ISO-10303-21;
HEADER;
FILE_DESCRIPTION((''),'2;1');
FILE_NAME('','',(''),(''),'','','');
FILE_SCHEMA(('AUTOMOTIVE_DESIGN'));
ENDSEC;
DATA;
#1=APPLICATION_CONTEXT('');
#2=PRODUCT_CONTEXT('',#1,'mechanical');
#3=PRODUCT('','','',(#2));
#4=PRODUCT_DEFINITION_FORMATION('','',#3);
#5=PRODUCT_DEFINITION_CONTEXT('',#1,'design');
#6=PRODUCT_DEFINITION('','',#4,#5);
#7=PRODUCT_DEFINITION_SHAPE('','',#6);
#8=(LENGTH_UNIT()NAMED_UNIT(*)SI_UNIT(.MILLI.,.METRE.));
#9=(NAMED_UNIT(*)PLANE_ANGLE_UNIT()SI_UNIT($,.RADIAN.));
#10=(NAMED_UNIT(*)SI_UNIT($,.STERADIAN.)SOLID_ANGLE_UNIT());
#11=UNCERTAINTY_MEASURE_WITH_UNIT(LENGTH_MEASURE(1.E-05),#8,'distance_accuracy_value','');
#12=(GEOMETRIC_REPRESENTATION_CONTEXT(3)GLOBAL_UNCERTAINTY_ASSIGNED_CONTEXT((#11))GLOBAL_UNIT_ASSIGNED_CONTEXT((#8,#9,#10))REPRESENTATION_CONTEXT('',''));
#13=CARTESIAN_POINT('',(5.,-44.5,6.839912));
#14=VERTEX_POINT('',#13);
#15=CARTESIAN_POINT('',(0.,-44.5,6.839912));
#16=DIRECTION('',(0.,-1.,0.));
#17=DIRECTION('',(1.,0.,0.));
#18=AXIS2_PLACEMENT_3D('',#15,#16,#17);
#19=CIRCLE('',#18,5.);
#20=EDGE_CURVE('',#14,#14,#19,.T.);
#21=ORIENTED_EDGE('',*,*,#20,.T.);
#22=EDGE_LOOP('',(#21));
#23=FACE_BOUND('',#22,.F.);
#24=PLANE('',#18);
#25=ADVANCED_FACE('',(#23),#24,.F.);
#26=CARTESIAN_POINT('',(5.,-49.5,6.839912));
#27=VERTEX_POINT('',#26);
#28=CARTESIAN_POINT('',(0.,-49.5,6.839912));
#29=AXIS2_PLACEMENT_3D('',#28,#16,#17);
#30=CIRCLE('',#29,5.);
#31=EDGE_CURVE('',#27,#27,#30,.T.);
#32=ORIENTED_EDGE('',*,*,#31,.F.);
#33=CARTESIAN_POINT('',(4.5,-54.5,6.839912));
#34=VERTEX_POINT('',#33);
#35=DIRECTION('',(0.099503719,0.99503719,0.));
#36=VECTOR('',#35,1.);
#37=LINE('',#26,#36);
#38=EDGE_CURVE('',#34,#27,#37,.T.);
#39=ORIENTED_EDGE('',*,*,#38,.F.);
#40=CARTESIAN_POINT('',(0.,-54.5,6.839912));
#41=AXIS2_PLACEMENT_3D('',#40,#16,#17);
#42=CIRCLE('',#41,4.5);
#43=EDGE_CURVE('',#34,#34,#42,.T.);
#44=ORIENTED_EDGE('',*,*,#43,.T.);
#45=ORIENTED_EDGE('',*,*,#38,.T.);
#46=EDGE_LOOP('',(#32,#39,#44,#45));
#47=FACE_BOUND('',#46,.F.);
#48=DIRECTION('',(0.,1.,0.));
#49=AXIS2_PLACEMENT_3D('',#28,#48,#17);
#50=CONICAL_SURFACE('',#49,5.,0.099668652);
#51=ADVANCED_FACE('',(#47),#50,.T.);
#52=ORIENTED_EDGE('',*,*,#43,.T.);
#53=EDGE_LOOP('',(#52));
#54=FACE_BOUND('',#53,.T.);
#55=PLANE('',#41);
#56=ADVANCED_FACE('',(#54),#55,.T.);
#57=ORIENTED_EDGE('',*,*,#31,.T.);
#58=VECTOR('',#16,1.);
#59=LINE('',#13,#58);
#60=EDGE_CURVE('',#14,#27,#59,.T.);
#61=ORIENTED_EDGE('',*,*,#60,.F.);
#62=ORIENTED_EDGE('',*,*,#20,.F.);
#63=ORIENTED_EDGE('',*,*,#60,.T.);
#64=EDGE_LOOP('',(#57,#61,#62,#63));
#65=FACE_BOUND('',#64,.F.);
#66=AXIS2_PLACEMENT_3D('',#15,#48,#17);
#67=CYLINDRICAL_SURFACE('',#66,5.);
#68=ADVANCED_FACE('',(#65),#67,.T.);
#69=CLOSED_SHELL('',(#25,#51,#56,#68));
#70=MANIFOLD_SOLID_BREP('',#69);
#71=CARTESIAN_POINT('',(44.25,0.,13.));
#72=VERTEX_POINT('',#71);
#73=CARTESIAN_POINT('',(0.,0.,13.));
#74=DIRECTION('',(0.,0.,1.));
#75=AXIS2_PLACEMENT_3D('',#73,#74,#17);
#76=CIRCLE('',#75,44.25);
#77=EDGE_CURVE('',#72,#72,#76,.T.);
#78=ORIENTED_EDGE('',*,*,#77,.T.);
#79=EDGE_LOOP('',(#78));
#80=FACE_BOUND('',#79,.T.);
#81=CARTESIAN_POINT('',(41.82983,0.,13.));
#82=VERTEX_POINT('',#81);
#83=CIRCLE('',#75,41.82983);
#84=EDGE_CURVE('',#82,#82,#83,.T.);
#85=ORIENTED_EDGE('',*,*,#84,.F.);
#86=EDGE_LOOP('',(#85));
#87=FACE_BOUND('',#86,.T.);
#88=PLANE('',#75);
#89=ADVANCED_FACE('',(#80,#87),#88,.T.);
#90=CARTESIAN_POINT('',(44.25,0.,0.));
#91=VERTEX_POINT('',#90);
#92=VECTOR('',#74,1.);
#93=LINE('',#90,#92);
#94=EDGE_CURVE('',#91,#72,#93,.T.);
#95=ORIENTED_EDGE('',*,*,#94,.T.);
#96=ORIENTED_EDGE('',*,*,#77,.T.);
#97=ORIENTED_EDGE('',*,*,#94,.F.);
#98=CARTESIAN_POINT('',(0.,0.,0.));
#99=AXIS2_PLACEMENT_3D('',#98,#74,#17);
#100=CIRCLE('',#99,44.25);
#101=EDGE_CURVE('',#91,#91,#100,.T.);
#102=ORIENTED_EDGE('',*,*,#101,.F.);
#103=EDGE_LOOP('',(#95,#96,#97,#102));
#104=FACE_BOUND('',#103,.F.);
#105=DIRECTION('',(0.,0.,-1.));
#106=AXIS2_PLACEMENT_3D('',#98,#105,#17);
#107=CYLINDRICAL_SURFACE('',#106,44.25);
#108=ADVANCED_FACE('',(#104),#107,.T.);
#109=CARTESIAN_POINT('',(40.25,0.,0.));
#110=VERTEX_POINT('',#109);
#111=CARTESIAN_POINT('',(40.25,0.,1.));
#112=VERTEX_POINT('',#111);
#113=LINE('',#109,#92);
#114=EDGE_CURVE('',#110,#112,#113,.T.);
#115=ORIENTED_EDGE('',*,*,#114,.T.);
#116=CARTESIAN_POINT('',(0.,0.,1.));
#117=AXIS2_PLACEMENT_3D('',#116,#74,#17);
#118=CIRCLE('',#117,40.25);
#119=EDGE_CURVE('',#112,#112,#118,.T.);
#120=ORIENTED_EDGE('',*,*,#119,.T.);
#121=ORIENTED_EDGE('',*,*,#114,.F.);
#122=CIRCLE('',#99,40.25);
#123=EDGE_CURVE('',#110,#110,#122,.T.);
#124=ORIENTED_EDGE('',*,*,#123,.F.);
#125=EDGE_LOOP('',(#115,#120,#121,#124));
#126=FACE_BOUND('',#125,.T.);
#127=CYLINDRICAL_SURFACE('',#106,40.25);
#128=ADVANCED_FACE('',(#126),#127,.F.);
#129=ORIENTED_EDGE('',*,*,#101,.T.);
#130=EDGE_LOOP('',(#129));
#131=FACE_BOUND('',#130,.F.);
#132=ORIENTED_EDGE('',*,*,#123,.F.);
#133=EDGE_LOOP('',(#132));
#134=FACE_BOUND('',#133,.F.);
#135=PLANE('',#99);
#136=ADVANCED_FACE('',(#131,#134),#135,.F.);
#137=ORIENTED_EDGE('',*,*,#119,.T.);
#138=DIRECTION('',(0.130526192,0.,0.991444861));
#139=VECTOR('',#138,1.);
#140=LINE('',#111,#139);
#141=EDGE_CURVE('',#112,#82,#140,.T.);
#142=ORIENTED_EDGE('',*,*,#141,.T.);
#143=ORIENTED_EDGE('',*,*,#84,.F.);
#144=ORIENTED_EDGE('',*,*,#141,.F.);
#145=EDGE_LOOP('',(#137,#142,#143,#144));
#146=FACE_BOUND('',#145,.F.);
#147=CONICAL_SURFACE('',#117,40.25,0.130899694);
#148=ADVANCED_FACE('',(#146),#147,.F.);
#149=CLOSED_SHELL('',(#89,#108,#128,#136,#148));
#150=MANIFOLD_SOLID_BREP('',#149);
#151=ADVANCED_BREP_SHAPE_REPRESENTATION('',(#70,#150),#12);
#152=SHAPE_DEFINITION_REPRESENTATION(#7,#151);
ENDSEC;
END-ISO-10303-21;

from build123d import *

# Parameters (mm, degrees)
F0_R     = 44.25
F0_R_2   = 40.25
F1_DEPTH = 13
F3_R     = 5
F4_DEPTH = 10
F5_SIZE2 = 1.579829971
F5_SIZE  = 12
F6_SIZE2 = 5
F6_SIZE  = 0.5


with BuildPart() as f1:
    # F0 (on Top) → F1 (new body)
    with BuildSketch(Plane.XY):
        Circle(F0_R)
        Circle(F0_R_2, mode=Mode.SUBTRACT)
    extrude(amount=F1_DEPTH)

    # F5
    f5_edges = [f1.edges().sort_by_distance(p)[0] for p in [
        (-40.25, 0, 13),
    ]]
    f5_side = f1.faces().sort_by_distance((-40.25, 0, 6.5))[0]
    chamfer(f5_edges, length=F5_SIZE, length2=F5_SIZE2, reference=f5_side)


with BuildPart() as f4:
    # F3 (on offset) → F4 (new body)
    with BuildSketch(Plane.XZ.offset(44.5)):
        with Locations((0, 6.839911745)):
            Circle(F3_R)
    extrude(amount=F4_DEPTH)

    # F6
    f6_edges = [f4.edges().sort_by_distance(p)[0] for p in [
        (-5, -54.5, 6.839912),
    ]]
    f6_side = f4.faces().sort_by_distance((0, -54.5, 6.839912))[0]
    chamfer(f6_edges, length=F6_SIZE, length2=F6_SIZE2, reference=f6_side)


solid = Compound([f1.part, f4.part])
